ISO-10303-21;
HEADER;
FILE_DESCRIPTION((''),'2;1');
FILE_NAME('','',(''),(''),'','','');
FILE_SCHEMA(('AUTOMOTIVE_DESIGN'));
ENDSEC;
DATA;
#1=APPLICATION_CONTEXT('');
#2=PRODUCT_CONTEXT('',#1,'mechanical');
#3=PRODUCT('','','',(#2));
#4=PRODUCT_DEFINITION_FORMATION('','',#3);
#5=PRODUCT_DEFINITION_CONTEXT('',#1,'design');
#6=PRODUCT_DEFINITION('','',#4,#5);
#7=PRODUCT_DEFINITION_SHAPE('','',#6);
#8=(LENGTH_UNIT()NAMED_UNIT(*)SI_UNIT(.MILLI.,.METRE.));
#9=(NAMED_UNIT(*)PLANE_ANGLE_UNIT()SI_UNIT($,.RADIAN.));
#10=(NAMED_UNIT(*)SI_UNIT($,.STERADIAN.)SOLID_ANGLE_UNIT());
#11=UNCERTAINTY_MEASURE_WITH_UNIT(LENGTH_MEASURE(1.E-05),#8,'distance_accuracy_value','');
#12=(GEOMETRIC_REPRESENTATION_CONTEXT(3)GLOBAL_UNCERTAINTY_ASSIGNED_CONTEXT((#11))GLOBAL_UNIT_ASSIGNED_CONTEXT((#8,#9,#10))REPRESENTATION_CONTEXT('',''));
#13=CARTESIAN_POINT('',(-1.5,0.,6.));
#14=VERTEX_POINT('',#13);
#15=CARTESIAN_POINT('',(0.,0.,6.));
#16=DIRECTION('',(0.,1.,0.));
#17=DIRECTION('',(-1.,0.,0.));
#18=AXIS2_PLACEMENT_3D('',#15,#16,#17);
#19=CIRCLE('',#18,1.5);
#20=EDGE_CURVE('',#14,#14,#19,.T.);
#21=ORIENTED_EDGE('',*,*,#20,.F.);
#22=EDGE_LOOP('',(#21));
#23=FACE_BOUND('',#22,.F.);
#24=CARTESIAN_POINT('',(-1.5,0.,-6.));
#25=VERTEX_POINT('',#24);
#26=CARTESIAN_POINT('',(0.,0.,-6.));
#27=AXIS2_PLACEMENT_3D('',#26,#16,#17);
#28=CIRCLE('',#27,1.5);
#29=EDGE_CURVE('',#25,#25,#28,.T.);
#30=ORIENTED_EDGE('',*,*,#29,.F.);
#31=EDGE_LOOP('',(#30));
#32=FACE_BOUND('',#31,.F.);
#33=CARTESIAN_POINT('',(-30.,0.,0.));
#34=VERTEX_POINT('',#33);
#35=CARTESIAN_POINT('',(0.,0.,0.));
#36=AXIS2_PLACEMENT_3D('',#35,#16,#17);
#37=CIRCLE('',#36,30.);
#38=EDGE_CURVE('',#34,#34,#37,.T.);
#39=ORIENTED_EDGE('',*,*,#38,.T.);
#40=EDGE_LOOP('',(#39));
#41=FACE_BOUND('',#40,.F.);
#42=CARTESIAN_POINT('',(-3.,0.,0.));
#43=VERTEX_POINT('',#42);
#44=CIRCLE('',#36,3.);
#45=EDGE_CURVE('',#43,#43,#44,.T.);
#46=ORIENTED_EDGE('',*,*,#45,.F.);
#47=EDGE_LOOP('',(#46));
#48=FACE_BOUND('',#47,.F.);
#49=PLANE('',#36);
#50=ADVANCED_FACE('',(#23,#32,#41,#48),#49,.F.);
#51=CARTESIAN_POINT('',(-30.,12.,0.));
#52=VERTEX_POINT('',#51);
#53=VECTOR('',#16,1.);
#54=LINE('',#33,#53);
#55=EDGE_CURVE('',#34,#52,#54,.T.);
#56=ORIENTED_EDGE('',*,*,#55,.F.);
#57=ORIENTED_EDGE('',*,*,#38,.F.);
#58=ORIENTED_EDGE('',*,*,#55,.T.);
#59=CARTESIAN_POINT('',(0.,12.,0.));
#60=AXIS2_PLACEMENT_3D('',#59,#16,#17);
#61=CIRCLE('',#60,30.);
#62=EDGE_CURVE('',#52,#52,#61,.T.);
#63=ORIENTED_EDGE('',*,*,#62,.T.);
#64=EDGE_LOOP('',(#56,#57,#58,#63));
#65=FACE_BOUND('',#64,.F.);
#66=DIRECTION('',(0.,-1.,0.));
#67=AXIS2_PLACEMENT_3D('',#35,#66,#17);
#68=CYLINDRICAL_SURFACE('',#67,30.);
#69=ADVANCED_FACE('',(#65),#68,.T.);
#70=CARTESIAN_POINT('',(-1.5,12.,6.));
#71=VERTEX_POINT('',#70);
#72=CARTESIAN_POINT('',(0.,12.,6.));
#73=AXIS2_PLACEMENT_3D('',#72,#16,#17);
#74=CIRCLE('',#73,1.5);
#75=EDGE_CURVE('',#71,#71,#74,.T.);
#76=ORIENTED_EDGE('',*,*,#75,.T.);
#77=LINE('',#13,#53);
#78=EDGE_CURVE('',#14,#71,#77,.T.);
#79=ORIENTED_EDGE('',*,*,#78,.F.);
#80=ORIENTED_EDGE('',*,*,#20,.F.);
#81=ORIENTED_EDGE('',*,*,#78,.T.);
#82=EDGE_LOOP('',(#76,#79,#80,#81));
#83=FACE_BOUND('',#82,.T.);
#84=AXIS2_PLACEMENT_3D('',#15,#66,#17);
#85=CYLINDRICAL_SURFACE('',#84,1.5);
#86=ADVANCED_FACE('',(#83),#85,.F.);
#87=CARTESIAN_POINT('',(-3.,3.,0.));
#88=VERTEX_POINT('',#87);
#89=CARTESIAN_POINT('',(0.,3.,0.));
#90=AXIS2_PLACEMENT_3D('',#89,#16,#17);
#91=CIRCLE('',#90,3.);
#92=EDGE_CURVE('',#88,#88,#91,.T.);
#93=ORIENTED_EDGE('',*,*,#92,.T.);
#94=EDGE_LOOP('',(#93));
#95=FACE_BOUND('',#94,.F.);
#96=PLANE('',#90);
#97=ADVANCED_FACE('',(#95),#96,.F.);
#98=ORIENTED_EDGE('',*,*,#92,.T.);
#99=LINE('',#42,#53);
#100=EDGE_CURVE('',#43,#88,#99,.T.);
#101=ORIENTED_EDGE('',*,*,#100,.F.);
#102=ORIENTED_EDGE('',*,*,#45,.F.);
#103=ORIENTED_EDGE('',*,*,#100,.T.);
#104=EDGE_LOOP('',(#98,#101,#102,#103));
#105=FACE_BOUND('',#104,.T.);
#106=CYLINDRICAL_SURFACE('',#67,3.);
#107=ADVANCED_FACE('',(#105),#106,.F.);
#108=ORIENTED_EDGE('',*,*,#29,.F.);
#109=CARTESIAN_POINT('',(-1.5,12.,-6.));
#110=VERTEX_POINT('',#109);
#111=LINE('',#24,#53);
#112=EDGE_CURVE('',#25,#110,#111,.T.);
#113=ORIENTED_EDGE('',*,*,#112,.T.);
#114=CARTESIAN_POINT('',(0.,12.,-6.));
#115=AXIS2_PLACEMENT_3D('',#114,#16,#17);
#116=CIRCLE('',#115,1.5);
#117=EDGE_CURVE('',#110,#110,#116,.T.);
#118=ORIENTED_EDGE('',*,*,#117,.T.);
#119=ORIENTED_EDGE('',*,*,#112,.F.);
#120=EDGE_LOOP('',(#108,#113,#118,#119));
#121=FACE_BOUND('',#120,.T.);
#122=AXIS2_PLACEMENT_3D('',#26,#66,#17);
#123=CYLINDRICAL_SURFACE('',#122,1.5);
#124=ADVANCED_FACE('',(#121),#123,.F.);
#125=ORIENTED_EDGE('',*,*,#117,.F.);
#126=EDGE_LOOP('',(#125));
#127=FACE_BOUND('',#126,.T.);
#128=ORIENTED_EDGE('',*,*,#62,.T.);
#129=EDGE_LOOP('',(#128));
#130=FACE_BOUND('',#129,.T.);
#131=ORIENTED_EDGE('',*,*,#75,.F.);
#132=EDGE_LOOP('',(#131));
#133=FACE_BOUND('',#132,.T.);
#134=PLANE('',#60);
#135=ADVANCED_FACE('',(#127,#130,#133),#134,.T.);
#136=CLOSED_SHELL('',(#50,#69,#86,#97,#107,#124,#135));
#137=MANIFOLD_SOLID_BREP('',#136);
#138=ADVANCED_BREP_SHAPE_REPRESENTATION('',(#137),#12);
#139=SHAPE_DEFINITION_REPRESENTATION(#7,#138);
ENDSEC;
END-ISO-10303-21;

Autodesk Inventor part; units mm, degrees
ref_plane "YZ Plane" through (0, 0, 0) normal (1, 0, 0) x (0, 1, 0)
ref_plane "XZ Plane" through (0, 0, 0) normal (0, 1, 0) x (-1, 0, 0)
ref_plane "XY Plane" through (0, 0, 0) normal (0, 0, 1) x (1, 0, 0)
sketch "スケッチ1" plane through (0, 0, 0) normal (0, 1, 0) x (-1, 0, 0)
  circle A0 centre (0, 0) radius 30
  circle A1 centre (0, 6) radius 1.5
  circle A2 centre (0, -6) radius 1.5
  circle A3 centre (0, 0) radius 3
  dimension "d0" = 60
  dimension "d1" = 9
  dimension "d2" = 6
  dimension "d3" = 3
  dimension "d4" = 3
  dimension "d5" = 6
  dimension "d6" = 6
extrude "押し出し1" add sketch "スケッチ1" along normal blind 12 contours A0 | A3
extrude "押し出し2" cut sketch "スケッチ1" along normal blind 3 contours A3
properties part number "タイヤ" material "木材 (オーク)"
